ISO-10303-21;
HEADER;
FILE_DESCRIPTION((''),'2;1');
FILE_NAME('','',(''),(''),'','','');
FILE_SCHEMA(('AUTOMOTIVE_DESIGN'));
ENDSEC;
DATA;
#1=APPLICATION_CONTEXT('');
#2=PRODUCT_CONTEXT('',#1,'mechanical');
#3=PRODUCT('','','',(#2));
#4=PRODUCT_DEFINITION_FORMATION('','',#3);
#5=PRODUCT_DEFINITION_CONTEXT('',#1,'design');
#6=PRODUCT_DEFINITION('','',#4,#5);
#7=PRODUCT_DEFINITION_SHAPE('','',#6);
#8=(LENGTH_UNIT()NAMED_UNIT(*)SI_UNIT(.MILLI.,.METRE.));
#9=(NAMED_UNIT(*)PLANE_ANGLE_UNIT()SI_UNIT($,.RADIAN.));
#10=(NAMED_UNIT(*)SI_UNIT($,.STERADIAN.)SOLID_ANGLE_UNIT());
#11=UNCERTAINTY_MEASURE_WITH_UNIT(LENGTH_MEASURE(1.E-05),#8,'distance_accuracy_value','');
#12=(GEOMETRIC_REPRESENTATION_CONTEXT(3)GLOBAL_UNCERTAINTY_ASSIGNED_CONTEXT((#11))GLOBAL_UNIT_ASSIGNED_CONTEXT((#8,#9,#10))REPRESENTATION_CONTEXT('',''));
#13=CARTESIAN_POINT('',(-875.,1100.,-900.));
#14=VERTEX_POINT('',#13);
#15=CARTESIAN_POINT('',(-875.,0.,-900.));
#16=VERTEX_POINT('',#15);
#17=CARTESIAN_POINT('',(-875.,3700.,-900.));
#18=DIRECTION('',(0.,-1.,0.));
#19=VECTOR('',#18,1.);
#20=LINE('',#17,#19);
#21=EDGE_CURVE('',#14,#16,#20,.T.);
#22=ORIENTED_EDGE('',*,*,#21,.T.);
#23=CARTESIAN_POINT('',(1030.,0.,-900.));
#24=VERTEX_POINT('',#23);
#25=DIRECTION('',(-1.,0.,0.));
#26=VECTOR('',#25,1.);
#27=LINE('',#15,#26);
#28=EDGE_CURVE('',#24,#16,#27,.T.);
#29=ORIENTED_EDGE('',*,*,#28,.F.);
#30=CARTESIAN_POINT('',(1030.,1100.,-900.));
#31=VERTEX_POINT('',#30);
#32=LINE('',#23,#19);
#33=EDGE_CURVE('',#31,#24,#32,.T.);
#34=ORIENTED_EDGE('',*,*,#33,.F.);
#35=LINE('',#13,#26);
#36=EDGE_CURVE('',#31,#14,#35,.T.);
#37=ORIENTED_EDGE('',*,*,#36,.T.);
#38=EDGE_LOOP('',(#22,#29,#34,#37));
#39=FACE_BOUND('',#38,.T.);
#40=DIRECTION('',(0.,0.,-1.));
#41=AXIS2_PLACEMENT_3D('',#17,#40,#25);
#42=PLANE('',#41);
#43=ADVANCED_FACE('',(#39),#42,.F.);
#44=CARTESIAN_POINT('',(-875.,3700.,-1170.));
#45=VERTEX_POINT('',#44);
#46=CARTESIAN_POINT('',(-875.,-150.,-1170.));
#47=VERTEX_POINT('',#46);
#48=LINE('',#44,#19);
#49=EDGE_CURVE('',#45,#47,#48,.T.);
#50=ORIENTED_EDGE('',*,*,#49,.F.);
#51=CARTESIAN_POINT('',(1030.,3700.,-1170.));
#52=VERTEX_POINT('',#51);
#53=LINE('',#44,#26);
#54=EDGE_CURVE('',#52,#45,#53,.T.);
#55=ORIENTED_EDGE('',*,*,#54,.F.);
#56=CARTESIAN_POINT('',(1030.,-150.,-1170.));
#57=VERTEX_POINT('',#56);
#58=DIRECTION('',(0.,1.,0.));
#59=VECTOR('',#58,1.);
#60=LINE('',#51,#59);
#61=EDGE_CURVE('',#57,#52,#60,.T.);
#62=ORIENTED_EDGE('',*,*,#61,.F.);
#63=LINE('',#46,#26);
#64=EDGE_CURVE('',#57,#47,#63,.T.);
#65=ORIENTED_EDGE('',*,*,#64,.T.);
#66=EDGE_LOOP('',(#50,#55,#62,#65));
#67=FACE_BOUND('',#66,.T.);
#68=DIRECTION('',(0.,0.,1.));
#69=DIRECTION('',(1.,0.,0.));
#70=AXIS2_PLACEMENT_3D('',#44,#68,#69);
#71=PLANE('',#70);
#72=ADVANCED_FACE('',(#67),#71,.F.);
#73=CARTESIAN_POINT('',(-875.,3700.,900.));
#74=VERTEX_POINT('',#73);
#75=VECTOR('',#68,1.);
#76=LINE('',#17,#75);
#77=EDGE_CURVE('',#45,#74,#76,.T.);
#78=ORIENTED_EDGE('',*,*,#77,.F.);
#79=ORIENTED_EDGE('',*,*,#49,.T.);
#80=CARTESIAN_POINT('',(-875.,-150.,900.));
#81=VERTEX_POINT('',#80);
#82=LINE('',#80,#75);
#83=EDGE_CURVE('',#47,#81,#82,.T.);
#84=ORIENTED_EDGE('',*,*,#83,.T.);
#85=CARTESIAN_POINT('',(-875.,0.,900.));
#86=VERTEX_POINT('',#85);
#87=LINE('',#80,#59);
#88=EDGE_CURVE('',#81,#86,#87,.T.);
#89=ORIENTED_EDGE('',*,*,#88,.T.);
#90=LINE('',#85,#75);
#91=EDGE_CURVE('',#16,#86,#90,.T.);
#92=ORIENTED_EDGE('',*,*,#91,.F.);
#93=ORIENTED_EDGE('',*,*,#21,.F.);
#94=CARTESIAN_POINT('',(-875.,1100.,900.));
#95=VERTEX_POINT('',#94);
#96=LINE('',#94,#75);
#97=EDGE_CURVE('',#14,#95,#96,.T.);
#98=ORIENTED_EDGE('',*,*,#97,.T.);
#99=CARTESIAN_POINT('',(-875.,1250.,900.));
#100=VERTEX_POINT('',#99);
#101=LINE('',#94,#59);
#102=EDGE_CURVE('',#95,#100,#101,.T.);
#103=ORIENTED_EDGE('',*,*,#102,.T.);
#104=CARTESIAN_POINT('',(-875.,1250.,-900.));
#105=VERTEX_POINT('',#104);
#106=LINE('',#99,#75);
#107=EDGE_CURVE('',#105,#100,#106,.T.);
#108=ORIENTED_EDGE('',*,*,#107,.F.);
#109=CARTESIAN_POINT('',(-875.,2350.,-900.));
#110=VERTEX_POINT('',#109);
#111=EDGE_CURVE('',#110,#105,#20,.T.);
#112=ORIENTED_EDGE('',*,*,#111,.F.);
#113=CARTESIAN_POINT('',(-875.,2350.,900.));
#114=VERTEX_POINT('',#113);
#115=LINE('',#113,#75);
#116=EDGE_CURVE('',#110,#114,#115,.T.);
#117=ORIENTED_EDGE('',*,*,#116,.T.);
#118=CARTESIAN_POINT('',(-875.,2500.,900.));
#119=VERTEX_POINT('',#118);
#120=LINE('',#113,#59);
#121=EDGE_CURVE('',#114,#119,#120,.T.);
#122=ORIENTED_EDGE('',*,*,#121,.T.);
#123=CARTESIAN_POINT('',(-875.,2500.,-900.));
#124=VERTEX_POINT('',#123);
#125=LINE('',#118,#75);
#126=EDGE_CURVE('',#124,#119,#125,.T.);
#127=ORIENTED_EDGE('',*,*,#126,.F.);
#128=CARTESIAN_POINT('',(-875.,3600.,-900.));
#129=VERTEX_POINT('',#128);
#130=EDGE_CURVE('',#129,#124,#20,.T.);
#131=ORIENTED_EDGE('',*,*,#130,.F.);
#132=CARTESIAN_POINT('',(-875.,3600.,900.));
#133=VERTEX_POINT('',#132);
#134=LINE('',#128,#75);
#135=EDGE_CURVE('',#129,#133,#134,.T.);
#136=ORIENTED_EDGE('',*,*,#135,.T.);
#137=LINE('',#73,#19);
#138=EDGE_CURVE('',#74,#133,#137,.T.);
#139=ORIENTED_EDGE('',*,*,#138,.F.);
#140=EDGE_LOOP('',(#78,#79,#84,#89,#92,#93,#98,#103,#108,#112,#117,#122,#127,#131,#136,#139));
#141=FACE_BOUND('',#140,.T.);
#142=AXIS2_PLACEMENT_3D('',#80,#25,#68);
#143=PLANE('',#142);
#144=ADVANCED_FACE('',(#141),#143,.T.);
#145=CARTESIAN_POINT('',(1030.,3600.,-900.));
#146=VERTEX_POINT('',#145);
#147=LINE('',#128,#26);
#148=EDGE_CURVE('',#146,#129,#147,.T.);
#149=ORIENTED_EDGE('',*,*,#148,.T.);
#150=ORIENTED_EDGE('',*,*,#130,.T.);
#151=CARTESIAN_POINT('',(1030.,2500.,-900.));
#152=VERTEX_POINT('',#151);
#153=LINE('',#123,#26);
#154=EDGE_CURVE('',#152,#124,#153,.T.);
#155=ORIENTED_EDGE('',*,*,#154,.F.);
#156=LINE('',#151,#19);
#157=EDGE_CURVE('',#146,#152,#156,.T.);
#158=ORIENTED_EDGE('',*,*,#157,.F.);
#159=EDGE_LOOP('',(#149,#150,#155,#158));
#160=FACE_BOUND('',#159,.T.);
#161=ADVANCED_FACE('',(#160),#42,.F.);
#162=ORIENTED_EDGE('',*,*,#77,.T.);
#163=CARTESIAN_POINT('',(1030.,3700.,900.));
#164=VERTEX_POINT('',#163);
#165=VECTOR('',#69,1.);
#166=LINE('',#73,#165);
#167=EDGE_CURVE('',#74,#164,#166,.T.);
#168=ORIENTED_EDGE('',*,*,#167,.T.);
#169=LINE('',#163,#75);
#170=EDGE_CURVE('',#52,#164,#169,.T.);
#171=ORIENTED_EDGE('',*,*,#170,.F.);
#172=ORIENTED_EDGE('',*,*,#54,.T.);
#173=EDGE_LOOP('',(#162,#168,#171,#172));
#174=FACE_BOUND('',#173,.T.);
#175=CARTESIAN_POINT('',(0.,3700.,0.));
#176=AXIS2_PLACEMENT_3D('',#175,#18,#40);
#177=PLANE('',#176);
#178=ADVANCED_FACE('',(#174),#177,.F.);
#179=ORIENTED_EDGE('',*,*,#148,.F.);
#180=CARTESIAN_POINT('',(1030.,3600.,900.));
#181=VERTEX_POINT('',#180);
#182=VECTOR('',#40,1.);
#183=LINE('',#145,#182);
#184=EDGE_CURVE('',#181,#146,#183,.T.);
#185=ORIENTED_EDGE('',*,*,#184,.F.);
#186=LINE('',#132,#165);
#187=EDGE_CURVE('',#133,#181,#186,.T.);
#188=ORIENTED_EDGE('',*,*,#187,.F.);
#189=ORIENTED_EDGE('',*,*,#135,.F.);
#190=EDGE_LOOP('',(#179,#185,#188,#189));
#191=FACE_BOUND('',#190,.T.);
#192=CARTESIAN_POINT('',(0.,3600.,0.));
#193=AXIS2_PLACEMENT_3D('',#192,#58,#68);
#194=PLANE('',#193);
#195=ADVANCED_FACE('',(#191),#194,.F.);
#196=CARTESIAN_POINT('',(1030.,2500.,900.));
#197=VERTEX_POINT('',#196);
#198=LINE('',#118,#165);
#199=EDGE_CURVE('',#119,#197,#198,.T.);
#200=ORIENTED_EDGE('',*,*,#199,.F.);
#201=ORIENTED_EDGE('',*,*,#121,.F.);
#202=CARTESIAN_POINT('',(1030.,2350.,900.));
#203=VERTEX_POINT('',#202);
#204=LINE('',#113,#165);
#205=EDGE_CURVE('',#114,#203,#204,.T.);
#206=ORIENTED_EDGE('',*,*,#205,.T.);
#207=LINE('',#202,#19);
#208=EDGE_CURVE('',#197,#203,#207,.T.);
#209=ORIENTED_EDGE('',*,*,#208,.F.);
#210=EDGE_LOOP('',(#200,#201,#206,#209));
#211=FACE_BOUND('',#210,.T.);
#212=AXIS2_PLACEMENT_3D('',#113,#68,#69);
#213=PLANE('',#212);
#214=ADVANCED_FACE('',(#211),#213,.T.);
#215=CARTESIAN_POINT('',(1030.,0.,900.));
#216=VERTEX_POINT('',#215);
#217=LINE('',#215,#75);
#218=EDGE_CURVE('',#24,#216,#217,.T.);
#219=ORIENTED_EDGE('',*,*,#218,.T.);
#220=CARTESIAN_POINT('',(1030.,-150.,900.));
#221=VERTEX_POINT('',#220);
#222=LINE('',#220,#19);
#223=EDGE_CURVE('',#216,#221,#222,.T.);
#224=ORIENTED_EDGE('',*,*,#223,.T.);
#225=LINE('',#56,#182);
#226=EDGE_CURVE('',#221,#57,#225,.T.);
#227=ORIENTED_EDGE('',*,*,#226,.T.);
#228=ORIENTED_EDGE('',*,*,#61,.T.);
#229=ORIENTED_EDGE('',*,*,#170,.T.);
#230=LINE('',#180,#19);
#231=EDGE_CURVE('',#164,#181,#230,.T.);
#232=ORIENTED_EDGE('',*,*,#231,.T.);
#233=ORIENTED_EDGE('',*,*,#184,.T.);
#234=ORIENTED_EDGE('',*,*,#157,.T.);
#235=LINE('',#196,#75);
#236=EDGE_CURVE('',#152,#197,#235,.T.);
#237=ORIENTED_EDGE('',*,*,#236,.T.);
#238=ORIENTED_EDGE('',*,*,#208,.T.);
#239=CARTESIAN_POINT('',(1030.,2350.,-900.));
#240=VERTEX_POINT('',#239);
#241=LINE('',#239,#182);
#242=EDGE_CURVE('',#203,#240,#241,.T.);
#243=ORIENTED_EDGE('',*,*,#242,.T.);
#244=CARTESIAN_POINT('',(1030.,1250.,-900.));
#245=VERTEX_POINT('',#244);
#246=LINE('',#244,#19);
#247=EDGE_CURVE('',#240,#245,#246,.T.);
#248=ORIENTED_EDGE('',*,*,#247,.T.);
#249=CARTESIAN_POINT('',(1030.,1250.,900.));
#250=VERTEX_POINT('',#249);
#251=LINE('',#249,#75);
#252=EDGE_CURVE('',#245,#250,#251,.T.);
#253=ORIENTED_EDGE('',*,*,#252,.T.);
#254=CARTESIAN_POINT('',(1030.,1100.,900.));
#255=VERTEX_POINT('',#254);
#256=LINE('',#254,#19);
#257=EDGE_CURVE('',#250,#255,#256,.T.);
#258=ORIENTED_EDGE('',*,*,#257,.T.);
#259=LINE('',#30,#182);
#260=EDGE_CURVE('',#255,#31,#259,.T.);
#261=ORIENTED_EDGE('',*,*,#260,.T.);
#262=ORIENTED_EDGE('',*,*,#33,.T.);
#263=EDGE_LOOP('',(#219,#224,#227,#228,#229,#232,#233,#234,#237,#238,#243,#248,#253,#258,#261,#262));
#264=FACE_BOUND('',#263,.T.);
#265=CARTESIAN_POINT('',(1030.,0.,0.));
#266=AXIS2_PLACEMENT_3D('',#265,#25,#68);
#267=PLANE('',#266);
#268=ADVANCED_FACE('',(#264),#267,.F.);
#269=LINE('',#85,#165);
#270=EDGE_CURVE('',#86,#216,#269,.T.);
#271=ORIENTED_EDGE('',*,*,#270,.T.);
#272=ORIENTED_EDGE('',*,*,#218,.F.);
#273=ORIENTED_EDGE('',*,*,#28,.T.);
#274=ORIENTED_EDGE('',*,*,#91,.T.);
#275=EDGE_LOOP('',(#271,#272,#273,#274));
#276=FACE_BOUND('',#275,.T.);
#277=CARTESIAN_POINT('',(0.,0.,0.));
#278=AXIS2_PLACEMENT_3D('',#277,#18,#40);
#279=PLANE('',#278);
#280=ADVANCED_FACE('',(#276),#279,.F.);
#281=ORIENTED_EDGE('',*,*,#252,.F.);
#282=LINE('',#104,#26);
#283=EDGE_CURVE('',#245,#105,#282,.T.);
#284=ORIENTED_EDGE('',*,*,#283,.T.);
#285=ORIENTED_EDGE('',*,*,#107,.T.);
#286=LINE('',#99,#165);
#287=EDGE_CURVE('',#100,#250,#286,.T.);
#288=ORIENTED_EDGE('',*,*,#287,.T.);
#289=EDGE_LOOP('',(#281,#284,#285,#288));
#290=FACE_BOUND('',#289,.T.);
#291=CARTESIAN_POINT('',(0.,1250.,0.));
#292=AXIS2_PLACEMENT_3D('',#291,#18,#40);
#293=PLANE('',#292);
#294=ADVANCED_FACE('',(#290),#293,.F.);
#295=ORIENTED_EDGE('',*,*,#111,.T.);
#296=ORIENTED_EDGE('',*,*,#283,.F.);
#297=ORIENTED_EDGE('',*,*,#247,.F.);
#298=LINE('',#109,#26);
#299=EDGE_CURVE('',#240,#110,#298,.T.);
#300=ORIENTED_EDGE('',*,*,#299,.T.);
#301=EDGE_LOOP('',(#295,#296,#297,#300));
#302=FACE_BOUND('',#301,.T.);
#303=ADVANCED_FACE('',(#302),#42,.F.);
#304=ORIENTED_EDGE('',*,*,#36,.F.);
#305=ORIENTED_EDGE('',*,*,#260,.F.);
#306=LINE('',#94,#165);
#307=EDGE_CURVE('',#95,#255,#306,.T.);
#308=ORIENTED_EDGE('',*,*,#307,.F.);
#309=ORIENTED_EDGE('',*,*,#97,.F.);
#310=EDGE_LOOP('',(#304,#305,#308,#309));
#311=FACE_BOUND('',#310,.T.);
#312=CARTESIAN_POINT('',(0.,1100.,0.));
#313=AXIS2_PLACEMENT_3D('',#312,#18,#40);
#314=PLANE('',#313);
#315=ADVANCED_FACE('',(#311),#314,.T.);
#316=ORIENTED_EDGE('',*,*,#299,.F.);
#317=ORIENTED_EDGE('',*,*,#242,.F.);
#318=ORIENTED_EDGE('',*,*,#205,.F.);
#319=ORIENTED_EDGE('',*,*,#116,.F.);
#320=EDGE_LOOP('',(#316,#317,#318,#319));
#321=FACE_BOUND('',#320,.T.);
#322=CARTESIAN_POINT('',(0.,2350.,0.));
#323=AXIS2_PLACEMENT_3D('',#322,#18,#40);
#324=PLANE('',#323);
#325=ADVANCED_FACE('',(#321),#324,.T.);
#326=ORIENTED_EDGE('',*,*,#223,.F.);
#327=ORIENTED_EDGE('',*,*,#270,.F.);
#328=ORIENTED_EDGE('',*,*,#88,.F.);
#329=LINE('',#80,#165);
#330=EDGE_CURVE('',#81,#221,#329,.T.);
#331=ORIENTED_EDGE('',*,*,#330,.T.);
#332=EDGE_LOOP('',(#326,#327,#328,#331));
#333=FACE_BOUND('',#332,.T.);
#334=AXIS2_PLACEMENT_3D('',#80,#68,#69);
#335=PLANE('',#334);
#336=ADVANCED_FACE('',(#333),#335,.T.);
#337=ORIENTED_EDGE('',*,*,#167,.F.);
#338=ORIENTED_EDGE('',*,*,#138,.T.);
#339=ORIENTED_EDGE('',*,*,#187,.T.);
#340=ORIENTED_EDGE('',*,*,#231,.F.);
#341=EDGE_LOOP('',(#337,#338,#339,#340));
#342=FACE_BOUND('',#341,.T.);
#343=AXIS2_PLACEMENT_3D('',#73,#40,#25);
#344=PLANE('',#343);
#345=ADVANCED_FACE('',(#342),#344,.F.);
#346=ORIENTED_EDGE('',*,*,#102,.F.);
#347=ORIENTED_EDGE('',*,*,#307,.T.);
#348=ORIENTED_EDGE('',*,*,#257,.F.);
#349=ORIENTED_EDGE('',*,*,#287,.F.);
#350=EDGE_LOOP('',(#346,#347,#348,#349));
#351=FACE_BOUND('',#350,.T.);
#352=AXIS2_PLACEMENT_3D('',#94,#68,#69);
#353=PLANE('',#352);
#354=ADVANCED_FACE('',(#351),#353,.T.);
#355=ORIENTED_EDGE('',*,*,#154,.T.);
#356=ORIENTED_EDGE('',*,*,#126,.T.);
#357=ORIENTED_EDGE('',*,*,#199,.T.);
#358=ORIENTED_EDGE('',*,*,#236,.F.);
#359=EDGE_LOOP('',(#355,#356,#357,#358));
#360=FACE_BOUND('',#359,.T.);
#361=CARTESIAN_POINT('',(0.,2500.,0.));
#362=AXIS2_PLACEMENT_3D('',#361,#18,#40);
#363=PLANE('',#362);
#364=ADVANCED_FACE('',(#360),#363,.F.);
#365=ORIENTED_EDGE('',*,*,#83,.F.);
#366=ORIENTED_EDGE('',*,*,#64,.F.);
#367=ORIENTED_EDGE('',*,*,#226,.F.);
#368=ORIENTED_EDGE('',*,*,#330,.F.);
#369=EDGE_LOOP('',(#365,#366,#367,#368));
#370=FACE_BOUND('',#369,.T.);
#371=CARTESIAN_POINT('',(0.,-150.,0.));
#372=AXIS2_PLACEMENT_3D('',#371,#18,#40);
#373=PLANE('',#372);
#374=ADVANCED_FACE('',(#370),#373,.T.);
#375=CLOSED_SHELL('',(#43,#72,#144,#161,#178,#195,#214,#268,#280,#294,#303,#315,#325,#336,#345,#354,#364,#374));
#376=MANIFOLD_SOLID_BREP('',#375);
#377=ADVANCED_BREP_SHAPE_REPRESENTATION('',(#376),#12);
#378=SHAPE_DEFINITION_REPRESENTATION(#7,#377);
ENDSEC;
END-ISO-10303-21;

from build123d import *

# Parameters (mm, degrees)
SKETCH_1_W          = 1750
SKETCH_1_H          = 1800
EXTRUDE_3_DEPTH     = 150
SKETCH_2_W          = 1750
SKETCH_2_H          = 1800
EXTRUDE_5_DEPTH     = 150
SKETCH_3_W          = 1750
SKETCH_3_H          = 1800
EXTRUDE_6_DEPTH     = 150
SKETCH_7_W          = 1750
SKETCH_7_H          = 1800
EXTRUDE_10_DEPTH    = 100
SKETCH_4_W          = 1750
SKETCH_4_H          = 270
EXTRUDE_11_DEPTH    = 3700
SKETCH_8_W          = 1750
SKETCH_8_H          = 3550
CUT_EXTRUDE_1_DEPTH = 7400
EXTRUDE_13_DEPTH    = 1030


with BuildPart() as part:
    # 草图1 → 凸台-拉伸3 (new body)
    with BuildSketch(Plane(origin=(0, 0, 0), x_dir=(1, 0, 0), z_dir=(0, 1, 0))):
        Rectangle(SKETCH_1_W, SKETCH_1_H)
    extrude(amount=-EXTRUDE_3_DEPTH)



with BuildPart() as body_2:
    # 草图2 → 凸台-拉伸5 (new body)
    with BuildSketch(Plane(origin=(0, 1250, 0), x_dir=(1, 0, 0), z_dir=(0, 1, 0))):
        Rectangle(SKETCH_2_W, SKETCH_2_H)
    extrude(amount=-EXTRUDE_5_DEPTH)


with BuildPart() as body_3:
    # 草图3 → 凸台-拉伸6 (new body)
    with BuildSketch(Plane(origin=(0, 2500, 0), x_dir=(1, 0, 0), z_dir=(0, 1, 0))):
        Rectangle(SKETCH_3_W, SKETCH_3_H)
    extrude(amount=-EXTRUDE_6_DEPTH)


with BuildPart() as body_4:
    # 草图7 → 凸台-拉伸10 (new body)
    with BuildSketch(Plane(origin=(0, 3600, 0), x_dir=(1, 0, 0), z_dir=(0, 1, 0))):
        Rectangle(SKETCH_7_W, SKETCH_7_H)
    extrude(amount=EXTRUDE_10_DEPTH)


with BuildPart() as part_1:
    add(part.part)

    add(body_2.part)  # 凸台-拉伸11 merges body 2

    add(body_3.part)  # 凸台-拉伸11 merges body 3

    add(body_4.part)  # 凸台-拉伸11 merges body 4
    # 草图4 → 凸台-拉伸11 (add, symmetric)
    with BuildSketch(Plane(origin=(0, 0, 0), x_dir=(1, 0, 0), z_dir=(0, 1, 0))):
        with Locations((0, 1035)):
            Rectangle(SKETCH_4_W, SKETCH_4_H)
    extrude(amount=EXTRUDE_11_DEPTH, both=True)

    # 草图8 → 切除-拉伸1 (cut)
    with BuildSketch(Plane.XY):
        with Locations((0, -1925)):
            Rectangle(SKETCH_8_W, SKETCH_8_H)
    extrude(amount=-CUT_EXTRUDE_1_DEPTH, mode=Mode.SUBTRACT)

    # 草图9 → 凸台-拉伸13 (add)
    with BuildSketch(Plane(origin=(0, 0, 0), x_dir=(0, 0, -1), z_dir=(1, 0, 0))):
        Polygon((-900, 3700), (1170, 3700), (1170, -150), (-900, -150), (-900, 0), (900, 0), (900, 1100), (-900, 1100), (-900, 1250), (900, 1250), (900, 2350), (-900, 2350), (-900, 2500), (900, 2500), (900, 3600), (-900, 3600), align=None)
    extrude(amount=EXTRUDE_13_DEPTH)


solid = part_1.part
